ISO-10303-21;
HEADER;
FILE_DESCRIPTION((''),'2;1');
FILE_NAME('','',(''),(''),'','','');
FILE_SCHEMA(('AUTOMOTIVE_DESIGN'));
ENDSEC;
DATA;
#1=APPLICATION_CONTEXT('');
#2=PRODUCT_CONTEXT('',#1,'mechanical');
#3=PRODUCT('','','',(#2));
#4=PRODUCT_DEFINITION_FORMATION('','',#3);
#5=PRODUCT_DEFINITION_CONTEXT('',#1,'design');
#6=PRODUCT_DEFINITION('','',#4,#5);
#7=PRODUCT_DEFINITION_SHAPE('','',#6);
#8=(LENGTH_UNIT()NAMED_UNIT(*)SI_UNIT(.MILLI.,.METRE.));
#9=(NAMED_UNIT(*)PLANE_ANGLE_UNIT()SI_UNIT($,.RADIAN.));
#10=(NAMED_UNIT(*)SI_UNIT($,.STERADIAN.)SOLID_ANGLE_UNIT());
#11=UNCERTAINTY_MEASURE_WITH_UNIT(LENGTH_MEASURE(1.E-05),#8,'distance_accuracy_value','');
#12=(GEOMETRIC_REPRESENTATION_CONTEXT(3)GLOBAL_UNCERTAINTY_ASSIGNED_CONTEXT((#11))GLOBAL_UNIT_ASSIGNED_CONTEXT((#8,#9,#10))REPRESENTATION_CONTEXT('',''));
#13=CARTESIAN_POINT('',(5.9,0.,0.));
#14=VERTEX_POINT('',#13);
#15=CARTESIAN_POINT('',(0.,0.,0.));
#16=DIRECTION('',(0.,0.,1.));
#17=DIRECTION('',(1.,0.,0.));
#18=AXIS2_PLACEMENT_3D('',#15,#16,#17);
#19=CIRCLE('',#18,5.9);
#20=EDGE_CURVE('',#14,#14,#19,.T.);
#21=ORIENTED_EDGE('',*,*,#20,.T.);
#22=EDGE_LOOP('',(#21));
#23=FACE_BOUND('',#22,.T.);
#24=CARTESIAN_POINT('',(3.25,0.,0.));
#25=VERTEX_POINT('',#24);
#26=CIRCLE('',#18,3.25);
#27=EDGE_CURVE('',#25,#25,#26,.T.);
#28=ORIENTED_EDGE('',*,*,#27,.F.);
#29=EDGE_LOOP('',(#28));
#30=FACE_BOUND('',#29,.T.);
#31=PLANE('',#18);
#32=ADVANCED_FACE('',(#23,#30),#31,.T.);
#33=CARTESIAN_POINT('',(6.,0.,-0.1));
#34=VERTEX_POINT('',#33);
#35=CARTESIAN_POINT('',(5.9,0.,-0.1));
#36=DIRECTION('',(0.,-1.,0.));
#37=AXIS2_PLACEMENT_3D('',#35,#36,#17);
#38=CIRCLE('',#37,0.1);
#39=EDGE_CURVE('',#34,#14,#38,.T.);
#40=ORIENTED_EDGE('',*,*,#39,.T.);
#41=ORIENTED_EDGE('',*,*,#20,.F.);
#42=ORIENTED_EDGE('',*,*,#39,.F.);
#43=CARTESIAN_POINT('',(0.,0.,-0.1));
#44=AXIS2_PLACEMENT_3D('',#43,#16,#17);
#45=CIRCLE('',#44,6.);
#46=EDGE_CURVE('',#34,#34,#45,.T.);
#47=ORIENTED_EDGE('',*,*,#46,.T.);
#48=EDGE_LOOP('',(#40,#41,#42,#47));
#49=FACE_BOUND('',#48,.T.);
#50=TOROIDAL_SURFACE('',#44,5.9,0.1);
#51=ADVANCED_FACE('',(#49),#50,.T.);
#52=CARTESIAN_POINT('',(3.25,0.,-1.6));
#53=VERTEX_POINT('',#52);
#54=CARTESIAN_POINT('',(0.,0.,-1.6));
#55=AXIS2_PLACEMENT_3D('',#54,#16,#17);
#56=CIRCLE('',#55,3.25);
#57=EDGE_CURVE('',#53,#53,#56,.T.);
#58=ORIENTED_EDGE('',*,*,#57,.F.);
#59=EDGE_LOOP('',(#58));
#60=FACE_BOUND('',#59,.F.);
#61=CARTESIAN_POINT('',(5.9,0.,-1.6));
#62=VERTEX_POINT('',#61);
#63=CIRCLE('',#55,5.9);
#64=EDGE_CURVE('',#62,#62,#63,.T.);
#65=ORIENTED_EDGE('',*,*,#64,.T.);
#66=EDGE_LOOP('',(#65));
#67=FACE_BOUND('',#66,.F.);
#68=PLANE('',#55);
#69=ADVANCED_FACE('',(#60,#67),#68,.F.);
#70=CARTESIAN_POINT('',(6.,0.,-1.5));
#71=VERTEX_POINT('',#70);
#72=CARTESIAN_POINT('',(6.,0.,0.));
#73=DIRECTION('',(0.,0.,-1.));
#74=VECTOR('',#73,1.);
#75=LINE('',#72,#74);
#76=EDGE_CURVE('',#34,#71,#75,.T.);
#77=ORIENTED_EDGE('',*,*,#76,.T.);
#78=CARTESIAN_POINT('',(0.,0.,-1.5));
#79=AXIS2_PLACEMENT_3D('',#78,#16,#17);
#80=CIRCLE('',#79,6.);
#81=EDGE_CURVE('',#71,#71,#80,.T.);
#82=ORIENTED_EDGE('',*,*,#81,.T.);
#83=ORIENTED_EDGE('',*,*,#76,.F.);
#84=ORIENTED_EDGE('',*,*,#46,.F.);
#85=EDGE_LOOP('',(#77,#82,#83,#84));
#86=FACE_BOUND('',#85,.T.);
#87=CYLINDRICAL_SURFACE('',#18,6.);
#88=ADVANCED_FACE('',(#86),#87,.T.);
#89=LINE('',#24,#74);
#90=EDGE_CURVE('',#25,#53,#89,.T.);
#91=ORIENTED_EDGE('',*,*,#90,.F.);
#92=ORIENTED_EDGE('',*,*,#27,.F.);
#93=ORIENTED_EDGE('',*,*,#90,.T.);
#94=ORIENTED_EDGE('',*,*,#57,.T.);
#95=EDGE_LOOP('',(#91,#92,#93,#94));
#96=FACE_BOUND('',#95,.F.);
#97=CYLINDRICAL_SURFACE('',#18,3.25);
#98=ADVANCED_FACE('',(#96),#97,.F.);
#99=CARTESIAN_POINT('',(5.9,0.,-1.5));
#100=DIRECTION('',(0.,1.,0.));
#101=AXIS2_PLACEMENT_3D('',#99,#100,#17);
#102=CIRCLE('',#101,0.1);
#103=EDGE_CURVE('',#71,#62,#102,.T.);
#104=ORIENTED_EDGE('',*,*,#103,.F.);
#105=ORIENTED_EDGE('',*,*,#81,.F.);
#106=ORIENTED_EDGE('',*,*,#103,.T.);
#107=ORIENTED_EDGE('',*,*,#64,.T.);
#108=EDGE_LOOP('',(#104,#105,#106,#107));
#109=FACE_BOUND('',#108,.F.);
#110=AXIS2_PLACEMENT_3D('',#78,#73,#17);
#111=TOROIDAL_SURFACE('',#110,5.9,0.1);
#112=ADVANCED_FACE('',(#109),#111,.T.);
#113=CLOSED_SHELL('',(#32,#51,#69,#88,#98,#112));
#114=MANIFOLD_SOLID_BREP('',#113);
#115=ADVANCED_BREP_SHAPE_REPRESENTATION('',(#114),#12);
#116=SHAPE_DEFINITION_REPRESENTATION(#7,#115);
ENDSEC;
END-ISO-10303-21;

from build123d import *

# Parameters (mm, degrees)
F0_R     = 6
F0_R_2   = 3.25
F1_DEPTH = 1.6
F2_R     = 0.1


with BuildPart() as f1:
    # F0 (on Top) → F1 (new body)
    with BuildSketch(Plane.XY):
        Circle(F0_R)
        Circle(F0_R_2, mode=Mode.SUBTRACT)
    extrude(amount=-F1_DEPTH)

    # F2
    f2_edges = [f1.edges().sort_by_distance(p)[0] for p in [
        (-6, 0, 0),
        (-6, 0, -1.6),
    ]]
    fillet(f2_edges, radius=F2_R)


solid = f1.part
